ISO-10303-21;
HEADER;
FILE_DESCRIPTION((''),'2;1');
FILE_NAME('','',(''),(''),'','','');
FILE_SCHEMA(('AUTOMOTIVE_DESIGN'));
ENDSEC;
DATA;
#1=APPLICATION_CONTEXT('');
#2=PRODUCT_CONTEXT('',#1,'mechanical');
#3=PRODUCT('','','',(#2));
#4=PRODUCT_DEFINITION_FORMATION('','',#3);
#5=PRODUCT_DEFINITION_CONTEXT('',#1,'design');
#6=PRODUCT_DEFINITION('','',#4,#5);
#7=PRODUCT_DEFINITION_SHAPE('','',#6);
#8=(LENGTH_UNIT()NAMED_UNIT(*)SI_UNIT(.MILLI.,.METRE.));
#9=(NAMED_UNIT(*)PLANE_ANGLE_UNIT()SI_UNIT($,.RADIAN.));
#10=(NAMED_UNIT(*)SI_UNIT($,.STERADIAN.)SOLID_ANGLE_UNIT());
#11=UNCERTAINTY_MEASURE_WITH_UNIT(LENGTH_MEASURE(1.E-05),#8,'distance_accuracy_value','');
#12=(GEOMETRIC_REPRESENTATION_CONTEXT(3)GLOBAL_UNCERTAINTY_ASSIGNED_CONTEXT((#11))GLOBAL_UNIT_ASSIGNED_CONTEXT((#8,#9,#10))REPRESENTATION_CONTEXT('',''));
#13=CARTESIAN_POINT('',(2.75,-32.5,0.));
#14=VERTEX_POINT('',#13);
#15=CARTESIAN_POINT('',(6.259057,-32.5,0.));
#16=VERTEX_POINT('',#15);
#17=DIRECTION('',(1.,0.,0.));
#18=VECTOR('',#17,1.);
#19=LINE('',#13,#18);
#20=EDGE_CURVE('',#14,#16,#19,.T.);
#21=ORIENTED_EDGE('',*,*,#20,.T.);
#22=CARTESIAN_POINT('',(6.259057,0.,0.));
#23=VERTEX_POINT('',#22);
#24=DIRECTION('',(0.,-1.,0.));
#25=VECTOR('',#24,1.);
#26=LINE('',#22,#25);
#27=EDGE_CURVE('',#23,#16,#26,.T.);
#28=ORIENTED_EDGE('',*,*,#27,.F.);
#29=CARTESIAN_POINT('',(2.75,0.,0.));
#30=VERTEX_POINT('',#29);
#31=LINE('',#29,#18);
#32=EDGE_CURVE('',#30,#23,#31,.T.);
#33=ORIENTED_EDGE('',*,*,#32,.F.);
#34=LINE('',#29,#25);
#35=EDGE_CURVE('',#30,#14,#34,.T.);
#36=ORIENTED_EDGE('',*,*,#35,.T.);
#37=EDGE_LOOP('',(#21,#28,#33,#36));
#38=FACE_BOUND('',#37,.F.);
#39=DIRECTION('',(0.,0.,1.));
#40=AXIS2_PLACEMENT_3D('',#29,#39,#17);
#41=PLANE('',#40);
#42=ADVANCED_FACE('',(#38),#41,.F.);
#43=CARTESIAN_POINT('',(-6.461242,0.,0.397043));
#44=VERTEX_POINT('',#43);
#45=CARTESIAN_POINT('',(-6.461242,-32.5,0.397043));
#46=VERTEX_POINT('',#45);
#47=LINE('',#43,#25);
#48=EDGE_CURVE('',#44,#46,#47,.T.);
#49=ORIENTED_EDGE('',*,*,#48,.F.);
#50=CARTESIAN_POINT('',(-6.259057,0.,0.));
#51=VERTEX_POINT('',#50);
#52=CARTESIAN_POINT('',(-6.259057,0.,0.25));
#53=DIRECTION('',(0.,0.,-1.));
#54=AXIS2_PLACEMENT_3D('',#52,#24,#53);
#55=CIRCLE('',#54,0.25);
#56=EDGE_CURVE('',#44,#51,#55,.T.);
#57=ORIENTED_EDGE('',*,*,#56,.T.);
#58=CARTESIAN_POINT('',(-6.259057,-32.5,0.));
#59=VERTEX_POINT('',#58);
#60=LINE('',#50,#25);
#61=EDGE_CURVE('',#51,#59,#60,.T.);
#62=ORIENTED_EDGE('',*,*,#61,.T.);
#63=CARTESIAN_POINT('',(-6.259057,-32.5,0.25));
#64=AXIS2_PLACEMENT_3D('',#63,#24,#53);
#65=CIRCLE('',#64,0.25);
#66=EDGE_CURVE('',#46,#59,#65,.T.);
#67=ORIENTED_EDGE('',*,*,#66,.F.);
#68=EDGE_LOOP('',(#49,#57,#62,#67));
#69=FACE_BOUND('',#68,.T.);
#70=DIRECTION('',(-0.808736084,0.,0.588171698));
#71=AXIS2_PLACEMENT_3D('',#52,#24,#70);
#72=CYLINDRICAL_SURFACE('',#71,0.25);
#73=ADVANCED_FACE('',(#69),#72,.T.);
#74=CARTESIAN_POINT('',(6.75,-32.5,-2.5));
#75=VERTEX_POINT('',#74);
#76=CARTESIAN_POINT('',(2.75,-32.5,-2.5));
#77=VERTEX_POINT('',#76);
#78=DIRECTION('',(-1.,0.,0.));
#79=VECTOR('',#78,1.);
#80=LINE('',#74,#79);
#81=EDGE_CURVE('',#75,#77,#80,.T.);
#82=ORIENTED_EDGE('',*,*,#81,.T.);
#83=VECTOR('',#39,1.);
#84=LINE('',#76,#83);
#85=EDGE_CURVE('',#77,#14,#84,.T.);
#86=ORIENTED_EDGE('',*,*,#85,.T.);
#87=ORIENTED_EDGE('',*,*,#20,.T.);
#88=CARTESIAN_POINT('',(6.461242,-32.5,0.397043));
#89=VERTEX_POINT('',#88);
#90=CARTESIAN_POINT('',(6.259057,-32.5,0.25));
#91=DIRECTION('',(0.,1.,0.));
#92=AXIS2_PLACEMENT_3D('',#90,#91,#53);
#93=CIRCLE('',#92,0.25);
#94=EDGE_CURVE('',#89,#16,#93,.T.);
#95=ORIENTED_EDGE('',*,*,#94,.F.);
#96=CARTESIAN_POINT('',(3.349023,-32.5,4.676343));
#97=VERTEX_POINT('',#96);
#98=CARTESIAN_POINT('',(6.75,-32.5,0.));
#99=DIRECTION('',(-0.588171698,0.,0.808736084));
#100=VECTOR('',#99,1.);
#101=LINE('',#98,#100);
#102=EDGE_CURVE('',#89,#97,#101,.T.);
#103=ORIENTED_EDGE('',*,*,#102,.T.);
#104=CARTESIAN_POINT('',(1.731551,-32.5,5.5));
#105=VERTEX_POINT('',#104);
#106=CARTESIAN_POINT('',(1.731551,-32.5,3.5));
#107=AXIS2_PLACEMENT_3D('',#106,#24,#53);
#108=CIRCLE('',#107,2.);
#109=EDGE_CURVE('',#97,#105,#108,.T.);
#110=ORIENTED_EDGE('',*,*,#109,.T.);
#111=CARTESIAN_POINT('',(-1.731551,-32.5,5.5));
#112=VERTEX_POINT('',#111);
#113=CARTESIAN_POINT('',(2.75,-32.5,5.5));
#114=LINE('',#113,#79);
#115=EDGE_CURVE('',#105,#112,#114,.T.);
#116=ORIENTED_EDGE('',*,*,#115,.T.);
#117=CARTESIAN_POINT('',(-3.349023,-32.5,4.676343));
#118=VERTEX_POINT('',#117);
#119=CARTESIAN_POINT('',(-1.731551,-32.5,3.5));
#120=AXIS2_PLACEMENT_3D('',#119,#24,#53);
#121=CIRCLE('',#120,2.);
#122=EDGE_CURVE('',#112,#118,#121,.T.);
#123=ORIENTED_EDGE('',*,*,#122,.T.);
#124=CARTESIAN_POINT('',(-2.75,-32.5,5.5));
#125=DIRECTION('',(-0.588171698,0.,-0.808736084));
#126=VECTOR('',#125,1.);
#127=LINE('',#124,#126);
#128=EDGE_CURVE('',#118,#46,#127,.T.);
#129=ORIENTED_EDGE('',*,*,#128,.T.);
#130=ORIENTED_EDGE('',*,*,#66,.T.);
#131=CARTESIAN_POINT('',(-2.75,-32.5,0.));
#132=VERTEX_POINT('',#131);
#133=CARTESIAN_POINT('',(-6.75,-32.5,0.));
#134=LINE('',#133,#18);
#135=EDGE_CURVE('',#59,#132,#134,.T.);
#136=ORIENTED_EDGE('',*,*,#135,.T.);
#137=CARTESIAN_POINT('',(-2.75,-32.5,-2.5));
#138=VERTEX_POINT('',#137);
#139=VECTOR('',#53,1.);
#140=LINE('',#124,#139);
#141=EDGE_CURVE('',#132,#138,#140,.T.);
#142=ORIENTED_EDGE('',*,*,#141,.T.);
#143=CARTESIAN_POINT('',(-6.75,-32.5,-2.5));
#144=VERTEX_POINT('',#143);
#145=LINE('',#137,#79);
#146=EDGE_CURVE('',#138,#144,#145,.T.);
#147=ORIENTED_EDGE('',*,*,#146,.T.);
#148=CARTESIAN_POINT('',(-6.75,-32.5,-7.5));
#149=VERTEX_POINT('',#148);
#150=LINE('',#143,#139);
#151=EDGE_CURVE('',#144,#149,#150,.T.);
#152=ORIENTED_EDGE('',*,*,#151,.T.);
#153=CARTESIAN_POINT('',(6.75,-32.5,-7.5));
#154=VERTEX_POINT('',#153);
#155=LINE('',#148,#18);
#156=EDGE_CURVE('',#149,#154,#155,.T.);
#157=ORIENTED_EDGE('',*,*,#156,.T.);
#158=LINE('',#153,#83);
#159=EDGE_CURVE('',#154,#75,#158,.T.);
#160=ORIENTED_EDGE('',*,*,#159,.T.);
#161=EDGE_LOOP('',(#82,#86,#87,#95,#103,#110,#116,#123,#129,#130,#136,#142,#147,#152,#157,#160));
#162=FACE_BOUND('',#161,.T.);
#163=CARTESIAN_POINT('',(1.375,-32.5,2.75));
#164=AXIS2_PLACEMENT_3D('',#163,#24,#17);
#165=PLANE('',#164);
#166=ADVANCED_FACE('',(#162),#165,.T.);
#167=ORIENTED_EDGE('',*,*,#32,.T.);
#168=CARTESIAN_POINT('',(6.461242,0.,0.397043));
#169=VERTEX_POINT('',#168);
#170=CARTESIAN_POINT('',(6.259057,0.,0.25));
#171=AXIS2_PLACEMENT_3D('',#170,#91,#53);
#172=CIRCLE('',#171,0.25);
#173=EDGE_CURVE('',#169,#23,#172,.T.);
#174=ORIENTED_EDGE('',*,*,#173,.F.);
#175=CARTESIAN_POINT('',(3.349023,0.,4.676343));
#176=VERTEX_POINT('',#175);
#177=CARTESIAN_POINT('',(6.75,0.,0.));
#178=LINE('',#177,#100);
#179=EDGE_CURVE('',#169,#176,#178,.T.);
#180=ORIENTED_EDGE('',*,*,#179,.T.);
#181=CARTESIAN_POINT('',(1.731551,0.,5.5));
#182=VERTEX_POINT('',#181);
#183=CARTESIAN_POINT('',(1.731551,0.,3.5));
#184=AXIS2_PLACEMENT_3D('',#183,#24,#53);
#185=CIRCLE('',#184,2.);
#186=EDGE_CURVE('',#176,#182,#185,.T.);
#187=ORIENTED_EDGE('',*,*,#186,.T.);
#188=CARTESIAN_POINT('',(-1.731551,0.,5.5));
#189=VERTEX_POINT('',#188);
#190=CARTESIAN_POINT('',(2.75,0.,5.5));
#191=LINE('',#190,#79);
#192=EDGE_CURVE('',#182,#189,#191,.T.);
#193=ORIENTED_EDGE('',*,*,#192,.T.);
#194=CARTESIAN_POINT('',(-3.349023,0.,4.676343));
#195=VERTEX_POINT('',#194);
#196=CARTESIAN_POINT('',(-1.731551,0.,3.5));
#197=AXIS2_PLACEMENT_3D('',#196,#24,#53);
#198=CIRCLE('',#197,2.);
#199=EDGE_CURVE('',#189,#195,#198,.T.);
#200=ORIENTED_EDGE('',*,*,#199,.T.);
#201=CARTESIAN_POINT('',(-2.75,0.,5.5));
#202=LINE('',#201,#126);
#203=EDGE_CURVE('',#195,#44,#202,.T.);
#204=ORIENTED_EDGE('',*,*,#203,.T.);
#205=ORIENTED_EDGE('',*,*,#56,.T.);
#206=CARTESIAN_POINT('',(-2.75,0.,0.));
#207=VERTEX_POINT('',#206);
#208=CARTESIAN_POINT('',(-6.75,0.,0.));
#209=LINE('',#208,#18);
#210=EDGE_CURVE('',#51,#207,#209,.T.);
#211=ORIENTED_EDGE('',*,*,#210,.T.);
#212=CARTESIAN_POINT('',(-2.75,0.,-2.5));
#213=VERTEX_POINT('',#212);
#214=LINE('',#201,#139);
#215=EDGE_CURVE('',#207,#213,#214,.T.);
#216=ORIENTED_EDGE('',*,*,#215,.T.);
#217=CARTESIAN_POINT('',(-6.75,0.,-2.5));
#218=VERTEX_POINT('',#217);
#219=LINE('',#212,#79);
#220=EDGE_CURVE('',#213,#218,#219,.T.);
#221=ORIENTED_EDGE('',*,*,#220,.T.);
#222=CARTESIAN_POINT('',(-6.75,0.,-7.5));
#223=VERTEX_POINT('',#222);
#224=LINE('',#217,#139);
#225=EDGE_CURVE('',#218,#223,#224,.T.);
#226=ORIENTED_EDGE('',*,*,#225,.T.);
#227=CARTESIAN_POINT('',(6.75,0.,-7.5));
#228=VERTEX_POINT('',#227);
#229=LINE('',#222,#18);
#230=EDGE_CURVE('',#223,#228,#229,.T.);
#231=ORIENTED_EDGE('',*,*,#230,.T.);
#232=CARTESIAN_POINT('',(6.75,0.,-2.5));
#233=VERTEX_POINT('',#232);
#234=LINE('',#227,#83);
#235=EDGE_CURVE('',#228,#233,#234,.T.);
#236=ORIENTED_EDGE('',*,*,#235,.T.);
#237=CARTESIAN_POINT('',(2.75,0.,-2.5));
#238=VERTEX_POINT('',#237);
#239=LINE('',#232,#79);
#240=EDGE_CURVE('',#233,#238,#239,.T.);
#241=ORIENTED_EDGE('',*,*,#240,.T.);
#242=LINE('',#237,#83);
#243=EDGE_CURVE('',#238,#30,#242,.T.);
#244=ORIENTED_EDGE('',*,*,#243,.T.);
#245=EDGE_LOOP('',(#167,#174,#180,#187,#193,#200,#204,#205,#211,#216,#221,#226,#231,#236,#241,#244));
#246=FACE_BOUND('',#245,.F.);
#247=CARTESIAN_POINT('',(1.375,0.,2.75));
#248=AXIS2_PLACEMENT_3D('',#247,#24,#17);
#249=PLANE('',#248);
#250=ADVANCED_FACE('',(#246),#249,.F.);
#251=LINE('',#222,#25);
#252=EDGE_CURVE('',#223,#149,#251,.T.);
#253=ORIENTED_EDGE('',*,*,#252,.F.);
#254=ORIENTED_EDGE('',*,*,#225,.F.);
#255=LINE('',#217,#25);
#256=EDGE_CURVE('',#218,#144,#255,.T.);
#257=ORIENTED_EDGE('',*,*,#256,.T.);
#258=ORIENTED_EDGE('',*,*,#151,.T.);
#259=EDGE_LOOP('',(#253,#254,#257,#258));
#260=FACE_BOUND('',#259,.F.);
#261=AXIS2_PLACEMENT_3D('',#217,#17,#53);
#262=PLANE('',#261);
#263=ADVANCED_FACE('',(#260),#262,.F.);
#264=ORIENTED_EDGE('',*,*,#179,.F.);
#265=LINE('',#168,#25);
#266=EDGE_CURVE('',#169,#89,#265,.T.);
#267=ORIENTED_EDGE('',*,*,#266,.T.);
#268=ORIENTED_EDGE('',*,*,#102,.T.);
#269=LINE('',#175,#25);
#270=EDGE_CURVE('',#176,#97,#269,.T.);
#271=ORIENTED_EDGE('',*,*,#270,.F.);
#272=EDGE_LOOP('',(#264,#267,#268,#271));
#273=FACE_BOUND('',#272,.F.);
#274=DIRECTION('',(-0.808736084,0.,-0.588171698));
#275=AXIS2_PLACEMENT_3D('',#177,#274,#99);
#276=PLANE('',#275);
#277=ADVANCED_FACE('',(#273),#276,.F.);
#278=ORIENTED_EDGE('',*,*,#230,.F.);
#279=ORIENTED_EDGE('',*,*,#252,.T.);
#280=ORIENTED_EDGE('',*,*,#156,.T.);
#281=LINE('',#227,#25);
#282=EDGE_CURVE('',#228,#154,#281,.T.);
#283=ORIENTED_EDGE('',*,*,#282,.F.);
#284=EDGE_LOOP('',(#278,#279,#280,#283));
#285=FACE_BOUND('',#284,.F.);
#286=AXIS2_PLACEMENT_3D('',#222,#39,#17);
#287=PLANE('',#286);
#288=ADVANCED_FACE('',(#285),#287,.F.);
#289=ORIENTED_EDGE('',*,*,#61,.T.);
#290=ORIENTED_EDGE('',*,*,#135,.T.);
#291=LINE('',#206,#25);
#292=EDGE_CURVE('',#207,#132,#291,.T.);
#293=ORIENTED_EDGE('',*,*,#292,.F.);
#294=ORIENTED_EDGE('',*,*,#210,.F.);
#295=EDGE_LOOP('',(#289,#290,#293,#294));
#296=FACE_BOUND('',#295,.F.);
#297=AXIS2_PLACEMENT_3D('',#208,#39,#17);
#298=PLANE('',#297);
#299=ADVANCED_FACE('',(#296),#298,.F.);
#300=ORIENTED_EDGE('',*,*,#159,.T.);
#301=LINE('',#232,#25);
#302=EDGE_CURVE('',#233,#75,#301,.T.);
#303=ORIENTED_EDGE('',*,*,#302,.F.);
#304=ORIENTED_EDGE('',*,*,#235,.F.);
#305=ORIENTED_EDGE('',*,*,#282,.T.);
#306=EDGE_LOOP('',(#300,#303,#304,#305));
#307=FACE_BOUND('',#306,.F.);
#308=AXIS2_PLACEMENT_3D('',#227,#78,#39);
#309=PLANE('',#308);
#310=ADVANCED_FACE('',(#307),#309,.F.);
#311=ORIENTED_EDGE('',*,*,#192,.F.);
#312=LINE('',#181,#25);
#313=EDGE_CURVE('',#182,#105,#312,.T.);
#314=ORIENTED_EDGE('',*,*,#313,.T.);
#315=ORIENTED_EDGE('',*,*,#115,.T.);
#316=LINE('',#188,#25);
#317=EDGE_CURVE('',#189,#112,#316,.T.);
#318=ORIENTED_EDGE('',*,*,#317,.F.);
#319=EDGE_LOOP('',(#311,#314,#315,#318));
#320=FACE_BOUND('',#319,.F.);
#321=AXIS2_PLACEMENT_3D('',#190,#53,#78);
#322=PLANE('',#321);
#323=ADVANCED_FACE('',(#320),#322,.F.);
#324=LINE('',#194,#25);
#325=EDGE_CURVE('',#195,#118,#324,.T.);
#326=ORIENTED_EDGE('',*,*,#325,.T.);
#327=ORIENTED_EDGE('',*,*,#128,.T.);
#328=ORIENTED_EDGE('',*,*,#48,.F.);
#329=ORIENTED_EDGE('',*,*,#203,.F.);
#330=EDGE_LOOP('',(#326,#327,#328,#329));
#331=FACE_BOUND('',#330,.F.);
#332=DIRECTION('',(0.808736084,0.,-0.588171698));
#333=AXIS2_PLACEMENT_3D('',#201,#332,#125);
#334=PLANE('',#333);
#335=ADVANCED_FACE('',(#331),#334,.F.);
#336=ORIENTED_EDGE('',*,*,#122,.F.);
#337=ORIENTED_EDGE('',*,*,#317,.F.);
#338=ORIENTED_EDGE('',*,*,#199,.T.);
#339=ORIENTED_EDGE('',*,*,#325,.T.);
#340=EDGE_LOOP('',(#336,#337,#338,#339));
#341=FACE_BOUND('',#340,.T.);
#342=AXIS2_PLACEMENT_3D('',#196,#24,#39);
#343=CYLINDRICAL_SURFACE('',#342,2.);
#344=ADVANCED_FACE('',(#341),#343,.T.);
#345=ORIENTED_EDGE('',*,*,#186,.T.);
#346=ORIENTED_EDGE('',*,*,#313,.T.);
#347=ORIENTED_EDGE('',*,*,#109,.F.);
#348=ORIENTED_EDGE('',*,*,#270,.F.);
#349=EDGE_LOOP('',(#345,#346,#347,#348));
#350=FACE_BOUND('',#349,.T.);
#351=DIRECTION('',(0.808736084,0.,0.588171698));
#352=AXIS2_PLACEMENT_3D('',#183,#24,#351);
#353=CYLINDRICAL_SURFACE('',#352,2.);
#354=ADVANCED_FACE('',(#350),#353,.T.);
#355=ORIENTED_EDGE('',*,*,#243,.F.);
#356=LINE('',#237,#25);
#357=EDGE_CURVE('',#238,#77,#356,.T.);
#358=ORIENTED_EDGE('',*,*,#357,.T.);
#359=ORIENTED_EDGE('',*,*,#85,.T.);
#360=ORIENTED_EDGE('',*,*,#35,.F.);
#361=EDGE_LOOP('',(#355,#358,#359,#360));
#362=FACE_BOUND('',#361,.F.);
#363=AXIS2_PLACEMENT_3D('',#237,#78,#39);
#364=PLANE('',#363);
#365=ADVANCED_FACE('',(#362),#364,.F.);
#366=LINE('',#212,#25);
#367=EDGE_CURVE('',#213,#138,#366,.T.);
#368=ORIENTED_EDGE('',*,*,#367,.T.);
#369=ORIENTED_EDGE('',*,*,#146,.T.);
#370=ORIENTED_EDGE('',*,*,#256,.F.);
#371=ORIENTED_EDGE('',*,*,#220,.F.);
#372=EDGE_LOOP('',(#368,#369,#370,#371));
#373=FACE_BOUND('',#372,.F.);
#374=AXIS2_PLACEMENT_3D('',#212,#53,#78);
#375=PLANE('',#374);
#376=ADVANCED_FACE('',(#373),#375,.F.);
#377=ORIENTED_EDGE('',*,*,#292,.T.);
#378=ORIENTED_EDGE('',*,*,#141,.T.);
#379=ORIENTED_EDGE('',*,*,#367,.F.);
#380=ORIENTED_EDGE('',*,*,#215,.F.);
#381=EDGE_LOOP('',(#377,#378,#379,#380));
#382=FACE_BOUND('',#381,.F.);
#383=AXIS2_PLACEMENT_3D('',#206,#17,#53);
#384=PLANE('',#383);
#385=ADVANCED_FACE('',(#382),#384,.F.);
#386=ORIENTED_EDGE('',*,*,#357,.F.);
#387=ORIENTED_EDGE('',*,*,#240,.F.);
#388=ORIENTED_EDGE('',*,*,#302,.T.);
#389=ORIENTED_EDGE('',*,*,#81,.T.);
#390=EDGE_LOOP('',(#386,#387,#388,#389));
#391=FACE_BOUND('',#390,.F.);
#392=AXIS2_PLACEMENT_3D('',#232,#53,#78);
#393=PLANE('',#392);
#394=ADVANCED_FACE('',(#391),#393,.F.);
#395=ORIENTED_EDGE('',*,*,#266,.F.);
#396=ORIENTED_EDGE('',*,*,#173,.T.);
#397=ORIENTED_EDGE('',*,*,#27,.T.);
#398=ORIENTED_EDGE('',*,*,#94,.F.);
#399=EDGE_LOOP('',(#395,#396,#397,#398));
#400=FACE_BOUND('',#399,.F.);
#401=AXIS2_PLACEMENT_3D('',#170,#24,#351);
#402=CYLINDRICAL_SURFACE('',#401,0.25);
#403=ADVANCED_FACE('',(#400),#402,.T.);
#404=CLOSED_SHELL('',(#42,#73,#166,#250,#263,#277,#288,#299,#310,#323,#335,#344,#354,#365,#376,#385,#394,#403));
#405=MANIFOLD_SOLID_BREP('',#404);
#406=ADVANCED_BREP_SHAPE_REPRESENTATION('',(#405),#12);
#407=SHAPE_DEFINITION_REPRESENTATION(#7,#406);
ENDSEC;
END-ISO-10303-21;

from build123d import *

# Parameters (mm, degrees)
F0_W     = 2.75
F0_H     = 5.5
F1_DEPTH = 32.5
F2_R     = 2
F3_R     = 0.25


with BuildPart() as f1:
    # F0 (on Front) → F1 (new body)
    with BuildSketch(Plane.XZ):
        with Locations((1.375, 2.75)):
            Rectangle(F0_W, F0_H)
        Polygon((0, 0), (-2.75, 0), (-2.75, -2.5), (-6.75, -2.5), (-6.75, -7.5), (6.75, -7.5), (6.75, -2.5), (2.75, -2.5), (2.75, 0), align=None)
        Polygon((2.75, 5.5), (2.75, 0), (6.75, 0), align=None)
        with Locations((-1.375, 2.75)):
            Rectangle(F0_W, F0_H)
        Polygon((-2.75, 5.5), (-6.75, 0), (-2.75, 0), align=None)
    extrude(amount=F1_DEPTH)

    # F2
    f2_edges = [f1.edges().sort_by_distance(p)[0] for p in [
        (2.75, -16.25, 5.5),
        (-2.75, -16.25, 5.5),
    ]]
    fillet(f2_edges, radius=F2_R)

    # F3
    f3_edges = [f1.edges().sort_by_distance(p)[0] for p in [
        (6.75, -16.25, 0),
        (-6.75, -16.25, 0),
    ]]
    fillet(f3_edges, radius=F3_R)


solid = f1.part
